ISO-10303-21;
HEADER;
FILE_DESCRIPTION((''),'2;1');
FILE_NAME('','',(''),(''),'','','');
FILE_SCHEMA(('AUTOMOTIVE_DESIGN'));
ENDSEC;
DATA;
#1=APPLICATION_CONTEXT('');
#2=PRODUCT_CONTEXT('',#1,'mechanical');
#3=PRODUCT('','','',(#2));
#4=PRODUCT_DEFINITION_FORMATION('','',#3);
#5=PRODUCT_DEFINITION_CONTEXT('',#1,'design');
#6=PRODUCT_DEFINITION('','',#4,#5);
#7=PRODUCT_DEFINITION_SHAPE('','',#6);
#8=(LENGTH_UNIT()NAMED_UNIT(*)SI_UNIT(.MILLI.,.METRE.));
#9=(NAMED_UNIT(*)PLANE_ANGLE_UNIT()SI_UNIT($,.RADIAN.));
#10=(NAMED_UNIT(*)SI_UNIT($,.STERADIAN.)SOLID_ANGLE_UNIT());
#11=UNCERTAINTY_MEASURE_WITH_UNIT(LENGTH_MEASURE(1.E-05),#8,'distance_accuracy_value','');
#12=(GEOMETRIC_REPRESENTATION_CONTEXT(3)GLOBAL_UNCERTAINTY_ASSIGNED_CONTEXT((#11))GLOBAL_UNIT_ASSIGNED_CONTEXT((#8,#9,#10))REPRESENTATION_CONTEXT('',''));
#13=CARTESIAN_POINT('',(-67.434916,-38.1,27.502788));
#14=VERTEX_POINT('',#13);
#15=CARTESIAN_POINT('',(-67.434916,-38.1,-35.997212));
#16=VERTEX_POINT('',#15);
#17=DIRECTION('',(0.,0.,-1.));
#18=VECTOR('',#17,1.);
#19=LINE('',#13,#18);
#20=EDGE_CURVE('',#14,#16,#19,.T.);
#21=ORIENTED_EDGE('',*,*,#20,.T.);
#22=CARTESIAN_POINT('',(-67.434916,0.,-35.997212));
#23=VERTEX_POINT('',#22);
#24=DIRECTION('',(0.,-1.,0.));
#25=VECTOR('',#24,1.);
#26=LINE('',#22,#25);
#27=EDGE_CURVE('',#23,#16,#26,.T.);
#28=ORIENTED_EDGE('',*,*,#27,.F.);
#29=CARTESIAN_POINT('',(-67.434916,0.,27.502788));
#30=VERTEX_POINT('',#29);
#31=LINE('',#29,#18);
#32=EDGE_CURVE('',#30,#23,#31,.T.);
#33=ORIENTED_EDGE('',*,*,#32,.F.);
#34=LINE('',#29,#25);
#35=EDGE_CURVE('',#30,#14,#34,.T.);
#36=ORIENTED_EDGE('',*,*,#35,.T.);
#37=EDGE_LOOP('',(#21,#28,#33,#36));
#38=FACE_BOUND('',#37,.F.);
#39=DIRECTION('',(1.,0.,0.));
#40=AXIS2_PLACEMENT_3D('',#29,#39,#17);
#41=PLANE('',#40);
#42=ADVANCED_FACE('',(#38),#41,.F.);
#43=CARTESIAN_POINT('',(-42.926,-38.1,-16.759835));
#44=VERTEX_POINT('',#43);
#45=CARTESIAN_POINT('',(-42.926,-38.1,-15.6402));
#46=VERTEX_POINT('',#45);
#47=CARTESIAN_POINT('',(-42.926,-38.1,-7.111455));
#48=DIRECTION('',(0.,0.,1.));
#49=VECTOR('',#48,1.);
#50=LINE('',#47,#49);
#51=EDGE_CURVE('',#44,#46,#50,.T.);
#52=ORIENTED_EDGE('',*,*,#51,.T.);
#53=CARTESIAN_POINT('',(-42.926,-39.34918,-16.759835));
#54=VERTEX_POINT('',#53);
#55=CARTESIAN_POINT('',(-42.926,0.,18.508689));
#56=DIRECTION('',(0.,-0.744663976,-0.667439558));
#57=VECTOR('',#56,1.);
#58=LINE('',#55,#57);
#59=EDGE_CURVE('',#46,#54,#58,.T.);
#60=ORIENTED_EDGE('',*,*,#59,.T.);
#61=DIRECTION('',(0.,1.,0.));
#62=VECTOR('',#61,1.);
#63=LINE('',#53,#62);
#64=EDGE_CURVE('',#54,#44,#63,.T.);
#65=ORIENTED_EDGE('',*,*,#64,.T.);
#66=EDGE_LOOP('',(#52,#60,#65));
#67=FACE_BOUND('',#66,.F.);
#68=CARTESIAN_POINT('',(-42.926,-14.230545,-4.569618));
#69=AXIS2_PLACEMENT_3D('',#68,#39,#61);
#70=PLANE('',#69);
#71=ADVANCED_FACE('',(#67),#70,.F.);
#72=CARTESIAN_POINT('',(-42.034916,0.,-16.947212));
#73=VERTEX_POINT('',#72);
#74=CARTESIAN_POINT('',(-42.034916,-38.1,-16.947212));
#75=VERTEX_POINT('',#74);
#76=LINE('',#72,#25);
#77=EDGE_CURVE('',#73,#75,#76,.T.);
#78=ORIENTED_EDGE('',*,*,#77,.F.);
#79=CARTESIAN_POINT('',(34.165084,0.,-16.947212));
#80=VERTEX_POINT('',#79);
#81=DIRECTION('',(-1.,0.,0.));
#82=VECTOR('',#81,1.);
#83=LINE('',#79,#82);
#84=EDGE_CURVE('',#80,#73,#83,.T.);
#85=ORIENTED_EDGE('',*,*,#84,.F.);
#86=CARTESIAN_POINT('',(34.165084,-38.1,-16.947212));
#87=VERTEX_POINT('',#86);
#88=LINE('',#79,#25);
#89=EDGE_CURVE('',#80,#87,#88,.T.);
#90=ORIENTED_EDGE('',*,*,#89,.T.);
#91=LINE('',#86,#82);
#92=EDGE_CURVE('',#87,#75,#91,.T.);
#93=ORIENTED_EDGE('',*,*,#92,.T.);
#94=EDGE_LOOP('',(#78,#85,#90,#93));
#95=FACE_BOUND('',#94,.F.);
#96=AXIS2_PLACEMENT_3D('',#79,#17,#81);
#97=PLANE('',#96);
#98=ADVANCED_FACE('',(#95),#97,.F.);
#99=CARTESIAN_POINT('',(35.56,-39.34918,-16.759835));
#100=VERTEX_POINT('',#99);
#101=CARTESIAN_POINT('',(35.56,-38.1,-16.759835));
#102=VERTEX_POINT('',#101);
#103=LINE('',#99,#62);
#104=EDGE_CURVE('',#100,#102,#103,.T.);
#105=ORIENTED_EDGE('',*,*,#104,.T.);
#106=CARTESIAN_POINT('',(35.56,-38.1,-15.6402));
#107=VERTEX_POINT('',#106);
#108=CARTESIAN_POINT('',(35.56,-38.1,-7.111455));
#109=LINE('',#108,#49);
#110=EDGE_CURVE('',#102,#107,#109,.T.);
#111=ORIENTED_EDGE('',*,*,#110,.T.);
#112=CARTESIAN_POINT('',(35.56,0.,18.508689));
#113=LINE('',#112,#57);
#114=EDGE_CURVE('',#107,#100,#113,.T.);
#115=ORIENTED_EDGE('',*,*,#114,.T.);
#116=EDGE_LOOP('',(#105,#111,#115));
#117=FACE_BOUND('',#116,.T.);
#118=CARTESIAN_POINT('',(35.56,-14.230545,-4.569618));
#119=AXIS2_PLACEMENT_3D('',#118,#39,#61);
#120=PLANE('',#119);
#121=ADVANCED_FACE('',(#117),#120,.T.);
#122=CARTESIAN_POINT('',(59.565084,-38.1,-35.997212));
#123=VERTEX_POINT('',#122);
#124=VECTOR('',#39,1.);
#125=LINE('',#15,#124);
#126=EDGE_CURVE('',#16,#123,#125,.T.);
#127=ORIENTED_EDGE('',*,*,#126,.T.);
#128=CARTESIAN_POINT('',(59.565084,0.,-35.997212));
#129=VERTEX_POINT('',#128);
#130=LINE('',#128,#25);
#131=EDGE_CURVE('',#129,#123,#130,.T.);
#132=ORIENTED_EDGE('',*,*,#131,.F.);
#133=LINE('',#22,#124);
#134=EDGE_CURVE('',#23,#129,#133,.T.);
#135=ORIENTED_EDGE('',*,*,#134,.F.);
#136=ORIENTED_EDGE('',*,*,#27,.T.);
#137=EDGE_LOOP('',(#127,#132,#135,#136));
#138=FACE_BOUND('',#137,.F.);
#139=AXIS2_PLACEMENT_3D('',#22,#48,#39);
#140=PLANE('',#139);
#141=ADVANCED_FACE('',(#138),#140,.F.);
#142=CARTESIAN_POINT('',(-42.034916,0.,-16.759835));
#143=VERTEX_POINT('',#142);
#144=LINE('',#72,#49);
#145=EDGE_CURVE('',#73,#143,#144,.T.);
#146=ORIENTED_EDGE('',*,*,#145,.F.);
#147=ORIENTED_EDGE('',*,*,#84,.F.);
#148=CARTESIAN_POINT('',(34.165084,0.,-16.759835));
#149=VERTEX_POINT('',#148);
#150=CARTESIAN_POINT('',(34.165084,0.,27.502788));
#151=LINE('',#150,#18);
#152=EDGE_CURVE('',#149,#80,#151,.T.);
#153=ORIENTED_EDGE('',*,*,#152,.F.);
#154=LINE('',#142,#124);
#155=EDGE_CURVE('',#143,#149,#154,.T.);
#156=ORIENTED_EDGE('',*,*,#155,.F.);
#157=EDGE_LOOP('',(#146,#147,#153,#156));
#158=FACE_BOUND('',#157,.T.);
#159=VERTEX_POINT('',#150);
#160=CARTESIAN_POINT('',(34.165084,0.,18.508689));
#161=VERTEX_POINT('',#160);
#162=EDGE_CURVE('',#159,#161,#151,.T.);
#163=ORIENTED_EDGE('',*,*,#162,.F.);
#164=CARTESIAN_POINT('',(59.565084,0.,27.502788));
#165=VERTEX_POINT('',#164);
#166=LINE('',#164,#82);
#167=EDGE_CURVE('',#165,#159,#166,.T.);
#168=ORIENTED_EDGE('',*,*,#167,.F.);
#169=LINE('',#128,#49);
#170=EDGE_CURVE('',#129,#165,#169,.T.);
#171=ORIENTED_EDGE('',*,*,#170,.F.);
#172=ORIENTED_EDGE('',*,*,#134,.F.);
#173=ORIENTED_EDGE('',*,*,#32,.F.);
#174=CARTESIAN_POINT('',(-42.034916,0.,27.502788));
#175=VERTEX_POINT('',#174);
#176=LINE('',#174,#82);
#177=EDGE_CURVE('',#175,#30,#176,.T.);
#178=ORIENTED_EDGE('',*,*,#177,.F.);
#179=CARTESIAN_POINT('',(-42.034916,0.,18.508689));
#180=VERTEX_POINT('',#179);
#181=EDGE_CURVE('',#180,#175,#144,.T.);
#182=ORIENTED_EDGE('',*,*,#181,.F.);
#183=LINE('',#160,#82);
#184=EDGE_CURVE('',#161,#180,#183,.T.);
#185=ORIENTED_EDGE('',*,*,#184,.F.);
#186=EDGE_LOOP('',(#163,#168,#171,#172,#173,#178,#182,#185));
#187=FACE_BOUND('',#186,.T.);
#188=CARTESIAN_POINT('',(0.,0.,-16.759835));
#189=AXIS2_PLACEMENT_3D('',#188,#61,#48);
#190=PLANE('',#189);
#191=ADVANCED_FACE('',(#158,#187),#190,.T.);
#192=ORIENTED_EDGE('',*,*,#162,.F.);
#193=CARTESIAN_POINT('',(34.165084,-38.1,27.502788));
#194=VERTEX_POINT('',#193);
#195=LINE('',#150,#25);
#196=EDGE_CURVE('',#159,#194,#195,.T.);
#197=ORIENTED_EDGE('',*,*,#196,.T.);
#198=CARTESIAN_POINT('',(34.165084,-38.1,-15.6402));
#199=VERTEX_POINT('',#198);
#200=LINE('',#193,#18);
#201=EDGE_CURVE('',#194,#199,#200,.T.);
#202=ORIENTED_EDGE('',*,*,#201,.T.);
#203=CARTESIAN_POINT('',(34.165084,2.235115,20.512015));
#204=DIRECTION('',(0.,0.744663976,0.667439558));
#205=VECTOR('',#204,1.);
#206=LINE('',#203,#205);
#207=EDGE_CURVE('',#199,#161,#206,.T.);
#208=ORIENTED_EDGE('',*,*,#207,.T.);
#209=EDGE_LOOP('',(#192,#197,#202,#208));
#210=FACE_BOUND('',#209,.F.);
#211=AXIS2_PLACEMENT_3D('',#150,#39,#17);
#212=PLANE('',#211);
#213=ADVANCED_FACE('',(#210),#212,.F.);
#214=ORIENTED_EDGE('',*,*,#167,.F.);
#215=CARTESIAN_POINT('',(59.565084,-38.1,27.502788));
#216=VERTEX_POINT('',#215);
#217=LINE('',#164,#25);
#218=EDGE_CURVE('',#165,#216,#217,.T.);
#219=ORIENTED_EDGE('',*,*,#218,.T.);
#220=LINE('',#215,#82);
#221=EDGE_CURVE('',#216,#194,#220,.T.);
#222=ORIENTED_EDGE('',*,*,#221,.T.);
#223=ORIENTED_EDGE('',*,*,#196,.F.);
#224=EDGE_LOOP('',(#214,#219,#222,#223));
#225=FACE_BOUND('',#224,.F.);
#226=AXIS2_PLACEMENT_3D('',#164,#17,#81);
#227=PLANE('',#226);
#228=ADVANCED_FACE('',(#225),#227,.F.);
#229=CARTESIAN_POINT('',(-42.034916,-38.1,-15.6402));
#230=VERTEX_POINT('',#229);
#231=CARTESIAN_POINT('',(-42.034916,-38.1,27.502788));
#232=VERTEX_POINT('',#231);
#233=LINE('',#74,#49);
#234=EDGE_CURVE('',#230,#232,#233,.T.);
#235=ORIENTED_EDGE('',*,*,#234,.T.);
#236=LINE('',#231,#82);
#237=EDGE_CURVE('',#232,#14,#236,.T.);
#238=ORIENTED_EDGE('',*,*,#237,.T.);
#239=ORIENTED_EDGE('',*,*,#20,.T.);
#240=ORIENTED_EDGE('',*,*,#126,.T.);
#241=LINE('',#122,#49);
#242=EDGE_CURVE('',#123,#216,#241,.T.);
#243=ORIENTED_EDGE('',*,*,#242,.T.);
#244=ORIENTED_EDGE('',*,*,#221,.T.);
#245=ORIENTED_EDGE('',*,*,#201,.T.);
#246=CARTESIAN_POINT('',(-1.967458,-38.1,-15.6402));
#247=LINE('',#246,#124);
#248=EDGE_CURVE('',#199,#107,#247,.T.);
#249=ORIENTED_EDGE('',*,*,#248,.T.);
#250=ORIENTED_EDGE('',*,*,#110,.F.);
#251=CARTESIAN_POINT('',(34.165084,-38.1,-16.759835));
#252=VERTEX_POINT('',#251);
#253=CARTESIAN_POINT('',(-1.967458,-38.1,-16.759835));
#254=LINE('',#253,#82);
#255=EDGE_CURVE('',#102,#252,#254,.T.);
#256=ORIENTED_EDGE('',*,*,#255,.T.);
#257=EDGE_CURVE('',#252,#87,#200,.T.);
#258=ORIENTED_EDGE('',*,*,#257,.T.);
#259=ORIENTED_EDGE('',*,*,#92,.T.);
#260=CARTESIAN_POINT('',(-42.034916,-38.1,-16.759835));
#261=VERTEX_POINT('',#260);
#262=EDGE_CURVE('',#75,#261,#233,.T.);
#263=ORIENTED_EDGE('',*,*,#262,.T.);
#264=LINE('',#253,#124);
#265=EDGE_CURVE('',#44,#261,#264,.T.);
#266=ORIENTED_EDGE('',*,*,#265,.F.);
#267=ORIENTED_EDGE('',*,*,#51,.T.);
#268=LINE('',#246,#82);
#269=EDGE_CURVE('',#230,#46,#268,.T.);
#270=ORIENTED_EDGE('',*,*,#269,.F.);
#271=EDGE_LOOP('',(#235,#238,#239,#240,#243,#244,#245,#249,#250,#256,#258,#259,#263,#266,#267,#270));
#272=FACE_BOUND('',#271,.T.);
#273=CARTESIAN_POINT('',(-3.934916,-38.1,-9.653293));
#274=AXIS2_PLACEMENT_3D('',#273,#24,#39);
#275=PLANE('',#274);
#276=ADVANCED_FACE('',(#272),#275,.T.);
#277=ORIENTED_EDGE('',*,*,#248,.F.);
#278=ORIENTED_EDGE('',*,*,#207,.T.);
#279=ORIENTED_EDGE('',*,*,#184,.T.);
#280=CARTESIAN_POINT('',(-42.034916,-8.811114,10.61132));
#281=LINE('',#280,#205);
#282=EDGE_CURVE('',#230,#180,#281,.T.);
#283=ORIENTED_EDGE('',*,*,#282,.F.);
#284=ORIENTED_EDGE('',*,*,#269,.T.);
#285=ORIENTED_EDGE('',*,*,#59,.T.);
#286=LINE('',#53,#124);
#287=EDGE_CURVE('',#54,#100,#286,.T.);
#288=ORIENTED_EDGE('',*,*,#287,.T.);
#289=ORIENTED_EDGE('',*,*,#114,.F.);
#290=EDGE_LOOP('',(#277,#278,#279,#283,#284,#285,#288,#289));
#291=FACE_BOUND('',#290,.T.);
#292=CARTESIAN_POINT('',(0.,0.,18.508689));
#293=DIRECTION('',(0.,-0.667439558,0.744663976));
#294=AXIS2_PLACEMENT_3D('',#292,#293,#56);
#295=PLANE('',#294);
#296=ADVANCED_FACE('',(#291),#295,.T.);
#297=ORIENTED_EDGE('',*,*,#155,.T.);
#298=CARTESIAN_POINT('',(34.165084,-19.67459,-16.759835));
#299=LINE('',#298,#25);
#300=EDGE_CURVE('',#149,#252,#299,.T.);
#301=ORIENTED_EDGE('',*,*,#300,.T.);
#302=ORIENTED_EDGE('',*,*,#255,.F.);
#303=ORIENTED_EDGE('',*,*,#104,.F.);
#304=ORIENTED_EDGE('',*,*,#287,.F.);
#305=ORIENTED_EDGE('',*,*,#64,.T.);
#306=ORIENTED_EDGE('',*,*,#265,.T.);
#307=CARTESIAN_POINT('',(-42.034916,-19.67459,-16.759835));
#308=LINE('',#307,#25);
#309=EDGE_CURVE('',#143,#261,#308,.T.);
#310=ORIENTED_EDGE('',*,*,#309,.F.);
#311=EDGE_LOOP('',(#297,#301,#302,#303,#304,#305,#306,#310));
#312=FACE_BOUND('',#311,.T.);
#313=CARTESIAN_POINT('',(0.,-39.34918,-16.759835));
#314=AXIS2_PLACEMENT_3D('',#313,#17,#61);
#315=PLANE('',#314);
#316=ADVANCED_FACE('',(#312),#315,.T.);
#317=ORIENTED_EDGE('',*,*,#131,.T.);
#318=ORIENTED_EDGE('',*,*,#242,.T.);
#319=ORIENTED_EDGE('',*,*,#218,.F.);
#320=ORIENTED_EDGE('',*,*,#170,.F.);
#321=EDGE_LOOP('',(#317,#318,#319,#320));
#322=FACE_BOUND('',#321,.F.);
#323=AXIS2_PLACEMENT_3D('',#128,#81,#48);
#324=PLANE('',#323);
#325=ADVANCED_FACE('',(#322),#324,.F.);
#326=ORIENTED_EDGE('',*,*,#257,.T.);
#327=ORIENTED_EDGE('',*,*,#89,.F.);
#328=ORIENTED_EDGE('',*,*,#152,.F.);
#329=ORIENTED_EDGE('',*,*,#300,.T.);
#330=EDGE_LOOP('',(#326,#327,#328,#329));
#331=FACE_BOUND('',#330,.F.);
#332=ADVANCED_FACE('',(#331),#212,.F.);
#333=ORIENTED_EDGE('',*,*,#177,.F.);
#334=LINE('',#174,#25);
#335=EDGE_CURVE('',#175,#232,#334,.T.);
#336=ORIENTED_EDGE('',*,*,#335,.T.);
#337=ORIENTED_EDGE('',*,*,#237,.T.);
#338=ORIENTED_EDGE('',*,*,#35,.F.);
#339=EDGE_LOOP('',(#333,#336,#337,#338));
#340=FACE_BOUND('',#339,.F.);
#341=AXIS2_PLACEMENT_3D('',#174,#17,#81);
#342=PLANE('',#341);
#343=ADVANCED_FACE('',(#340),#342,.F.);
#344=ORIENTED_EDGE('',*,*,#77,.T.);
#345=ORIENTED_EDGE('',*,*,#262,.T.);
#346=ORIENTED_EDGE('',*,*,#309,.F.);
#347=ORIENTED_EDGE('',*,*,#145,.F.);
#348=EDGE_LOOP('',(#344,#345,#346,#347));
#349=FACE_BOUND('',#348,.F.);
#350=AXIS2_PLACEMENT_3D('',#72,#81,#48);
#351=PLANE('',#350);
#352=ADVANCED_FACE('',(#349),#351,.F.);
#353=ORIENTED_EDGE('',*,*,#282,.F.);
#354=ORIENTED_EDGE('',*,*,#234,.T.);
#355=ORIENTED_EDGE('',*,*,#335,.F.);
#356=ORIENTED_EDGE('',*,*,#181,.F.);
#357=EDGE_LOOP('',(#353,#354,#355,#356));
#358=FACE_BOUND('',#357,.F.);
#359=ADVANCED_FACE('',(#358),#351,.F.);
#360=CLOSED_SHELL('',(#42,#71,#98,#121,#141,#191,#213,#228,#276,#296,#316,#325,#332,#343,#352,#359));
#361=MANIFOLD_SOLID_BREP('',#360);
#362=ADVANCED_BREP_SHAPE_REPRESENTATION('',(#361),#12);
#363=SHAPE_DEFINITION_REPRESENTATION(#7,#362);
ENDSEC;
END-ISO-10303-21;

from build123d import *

# Parameters (mm, degrees)
F1_DEPTH      = 38.1
F3_DEPTH      = 35.56
F3_DEPTH_BACK = 42.926


with BuildPart() as f1:
    # F0 (on Front) → F1 (new body)
    with BuildSketch(Plane.XZ):
        Polygon((-67.434916, 27.502788), (-67.434916, -35.997212), (59.565084, -35.997212), (59.565084, 27.502788), (34.165084, 27.502788), (34.165084, -16.947212), (-42.034916, -16.947212), (-42.034916, 27.502788), align=None)
    extrude(amount=F1_DEPTH)

    # F2 (on Right) → F3 (join, two sides)
    with BuildSketch(Plane.YZ) as f3_sk:
        Polygon((0, 18.508689), (-39.34918, -16.759835), (0, -16.759835), align=None)
    extrude(amount=F3_DEPTH)
    extrude(f3_sk.sketch, amount=-F3_DEPTH_BACK)


solid = f1.part
